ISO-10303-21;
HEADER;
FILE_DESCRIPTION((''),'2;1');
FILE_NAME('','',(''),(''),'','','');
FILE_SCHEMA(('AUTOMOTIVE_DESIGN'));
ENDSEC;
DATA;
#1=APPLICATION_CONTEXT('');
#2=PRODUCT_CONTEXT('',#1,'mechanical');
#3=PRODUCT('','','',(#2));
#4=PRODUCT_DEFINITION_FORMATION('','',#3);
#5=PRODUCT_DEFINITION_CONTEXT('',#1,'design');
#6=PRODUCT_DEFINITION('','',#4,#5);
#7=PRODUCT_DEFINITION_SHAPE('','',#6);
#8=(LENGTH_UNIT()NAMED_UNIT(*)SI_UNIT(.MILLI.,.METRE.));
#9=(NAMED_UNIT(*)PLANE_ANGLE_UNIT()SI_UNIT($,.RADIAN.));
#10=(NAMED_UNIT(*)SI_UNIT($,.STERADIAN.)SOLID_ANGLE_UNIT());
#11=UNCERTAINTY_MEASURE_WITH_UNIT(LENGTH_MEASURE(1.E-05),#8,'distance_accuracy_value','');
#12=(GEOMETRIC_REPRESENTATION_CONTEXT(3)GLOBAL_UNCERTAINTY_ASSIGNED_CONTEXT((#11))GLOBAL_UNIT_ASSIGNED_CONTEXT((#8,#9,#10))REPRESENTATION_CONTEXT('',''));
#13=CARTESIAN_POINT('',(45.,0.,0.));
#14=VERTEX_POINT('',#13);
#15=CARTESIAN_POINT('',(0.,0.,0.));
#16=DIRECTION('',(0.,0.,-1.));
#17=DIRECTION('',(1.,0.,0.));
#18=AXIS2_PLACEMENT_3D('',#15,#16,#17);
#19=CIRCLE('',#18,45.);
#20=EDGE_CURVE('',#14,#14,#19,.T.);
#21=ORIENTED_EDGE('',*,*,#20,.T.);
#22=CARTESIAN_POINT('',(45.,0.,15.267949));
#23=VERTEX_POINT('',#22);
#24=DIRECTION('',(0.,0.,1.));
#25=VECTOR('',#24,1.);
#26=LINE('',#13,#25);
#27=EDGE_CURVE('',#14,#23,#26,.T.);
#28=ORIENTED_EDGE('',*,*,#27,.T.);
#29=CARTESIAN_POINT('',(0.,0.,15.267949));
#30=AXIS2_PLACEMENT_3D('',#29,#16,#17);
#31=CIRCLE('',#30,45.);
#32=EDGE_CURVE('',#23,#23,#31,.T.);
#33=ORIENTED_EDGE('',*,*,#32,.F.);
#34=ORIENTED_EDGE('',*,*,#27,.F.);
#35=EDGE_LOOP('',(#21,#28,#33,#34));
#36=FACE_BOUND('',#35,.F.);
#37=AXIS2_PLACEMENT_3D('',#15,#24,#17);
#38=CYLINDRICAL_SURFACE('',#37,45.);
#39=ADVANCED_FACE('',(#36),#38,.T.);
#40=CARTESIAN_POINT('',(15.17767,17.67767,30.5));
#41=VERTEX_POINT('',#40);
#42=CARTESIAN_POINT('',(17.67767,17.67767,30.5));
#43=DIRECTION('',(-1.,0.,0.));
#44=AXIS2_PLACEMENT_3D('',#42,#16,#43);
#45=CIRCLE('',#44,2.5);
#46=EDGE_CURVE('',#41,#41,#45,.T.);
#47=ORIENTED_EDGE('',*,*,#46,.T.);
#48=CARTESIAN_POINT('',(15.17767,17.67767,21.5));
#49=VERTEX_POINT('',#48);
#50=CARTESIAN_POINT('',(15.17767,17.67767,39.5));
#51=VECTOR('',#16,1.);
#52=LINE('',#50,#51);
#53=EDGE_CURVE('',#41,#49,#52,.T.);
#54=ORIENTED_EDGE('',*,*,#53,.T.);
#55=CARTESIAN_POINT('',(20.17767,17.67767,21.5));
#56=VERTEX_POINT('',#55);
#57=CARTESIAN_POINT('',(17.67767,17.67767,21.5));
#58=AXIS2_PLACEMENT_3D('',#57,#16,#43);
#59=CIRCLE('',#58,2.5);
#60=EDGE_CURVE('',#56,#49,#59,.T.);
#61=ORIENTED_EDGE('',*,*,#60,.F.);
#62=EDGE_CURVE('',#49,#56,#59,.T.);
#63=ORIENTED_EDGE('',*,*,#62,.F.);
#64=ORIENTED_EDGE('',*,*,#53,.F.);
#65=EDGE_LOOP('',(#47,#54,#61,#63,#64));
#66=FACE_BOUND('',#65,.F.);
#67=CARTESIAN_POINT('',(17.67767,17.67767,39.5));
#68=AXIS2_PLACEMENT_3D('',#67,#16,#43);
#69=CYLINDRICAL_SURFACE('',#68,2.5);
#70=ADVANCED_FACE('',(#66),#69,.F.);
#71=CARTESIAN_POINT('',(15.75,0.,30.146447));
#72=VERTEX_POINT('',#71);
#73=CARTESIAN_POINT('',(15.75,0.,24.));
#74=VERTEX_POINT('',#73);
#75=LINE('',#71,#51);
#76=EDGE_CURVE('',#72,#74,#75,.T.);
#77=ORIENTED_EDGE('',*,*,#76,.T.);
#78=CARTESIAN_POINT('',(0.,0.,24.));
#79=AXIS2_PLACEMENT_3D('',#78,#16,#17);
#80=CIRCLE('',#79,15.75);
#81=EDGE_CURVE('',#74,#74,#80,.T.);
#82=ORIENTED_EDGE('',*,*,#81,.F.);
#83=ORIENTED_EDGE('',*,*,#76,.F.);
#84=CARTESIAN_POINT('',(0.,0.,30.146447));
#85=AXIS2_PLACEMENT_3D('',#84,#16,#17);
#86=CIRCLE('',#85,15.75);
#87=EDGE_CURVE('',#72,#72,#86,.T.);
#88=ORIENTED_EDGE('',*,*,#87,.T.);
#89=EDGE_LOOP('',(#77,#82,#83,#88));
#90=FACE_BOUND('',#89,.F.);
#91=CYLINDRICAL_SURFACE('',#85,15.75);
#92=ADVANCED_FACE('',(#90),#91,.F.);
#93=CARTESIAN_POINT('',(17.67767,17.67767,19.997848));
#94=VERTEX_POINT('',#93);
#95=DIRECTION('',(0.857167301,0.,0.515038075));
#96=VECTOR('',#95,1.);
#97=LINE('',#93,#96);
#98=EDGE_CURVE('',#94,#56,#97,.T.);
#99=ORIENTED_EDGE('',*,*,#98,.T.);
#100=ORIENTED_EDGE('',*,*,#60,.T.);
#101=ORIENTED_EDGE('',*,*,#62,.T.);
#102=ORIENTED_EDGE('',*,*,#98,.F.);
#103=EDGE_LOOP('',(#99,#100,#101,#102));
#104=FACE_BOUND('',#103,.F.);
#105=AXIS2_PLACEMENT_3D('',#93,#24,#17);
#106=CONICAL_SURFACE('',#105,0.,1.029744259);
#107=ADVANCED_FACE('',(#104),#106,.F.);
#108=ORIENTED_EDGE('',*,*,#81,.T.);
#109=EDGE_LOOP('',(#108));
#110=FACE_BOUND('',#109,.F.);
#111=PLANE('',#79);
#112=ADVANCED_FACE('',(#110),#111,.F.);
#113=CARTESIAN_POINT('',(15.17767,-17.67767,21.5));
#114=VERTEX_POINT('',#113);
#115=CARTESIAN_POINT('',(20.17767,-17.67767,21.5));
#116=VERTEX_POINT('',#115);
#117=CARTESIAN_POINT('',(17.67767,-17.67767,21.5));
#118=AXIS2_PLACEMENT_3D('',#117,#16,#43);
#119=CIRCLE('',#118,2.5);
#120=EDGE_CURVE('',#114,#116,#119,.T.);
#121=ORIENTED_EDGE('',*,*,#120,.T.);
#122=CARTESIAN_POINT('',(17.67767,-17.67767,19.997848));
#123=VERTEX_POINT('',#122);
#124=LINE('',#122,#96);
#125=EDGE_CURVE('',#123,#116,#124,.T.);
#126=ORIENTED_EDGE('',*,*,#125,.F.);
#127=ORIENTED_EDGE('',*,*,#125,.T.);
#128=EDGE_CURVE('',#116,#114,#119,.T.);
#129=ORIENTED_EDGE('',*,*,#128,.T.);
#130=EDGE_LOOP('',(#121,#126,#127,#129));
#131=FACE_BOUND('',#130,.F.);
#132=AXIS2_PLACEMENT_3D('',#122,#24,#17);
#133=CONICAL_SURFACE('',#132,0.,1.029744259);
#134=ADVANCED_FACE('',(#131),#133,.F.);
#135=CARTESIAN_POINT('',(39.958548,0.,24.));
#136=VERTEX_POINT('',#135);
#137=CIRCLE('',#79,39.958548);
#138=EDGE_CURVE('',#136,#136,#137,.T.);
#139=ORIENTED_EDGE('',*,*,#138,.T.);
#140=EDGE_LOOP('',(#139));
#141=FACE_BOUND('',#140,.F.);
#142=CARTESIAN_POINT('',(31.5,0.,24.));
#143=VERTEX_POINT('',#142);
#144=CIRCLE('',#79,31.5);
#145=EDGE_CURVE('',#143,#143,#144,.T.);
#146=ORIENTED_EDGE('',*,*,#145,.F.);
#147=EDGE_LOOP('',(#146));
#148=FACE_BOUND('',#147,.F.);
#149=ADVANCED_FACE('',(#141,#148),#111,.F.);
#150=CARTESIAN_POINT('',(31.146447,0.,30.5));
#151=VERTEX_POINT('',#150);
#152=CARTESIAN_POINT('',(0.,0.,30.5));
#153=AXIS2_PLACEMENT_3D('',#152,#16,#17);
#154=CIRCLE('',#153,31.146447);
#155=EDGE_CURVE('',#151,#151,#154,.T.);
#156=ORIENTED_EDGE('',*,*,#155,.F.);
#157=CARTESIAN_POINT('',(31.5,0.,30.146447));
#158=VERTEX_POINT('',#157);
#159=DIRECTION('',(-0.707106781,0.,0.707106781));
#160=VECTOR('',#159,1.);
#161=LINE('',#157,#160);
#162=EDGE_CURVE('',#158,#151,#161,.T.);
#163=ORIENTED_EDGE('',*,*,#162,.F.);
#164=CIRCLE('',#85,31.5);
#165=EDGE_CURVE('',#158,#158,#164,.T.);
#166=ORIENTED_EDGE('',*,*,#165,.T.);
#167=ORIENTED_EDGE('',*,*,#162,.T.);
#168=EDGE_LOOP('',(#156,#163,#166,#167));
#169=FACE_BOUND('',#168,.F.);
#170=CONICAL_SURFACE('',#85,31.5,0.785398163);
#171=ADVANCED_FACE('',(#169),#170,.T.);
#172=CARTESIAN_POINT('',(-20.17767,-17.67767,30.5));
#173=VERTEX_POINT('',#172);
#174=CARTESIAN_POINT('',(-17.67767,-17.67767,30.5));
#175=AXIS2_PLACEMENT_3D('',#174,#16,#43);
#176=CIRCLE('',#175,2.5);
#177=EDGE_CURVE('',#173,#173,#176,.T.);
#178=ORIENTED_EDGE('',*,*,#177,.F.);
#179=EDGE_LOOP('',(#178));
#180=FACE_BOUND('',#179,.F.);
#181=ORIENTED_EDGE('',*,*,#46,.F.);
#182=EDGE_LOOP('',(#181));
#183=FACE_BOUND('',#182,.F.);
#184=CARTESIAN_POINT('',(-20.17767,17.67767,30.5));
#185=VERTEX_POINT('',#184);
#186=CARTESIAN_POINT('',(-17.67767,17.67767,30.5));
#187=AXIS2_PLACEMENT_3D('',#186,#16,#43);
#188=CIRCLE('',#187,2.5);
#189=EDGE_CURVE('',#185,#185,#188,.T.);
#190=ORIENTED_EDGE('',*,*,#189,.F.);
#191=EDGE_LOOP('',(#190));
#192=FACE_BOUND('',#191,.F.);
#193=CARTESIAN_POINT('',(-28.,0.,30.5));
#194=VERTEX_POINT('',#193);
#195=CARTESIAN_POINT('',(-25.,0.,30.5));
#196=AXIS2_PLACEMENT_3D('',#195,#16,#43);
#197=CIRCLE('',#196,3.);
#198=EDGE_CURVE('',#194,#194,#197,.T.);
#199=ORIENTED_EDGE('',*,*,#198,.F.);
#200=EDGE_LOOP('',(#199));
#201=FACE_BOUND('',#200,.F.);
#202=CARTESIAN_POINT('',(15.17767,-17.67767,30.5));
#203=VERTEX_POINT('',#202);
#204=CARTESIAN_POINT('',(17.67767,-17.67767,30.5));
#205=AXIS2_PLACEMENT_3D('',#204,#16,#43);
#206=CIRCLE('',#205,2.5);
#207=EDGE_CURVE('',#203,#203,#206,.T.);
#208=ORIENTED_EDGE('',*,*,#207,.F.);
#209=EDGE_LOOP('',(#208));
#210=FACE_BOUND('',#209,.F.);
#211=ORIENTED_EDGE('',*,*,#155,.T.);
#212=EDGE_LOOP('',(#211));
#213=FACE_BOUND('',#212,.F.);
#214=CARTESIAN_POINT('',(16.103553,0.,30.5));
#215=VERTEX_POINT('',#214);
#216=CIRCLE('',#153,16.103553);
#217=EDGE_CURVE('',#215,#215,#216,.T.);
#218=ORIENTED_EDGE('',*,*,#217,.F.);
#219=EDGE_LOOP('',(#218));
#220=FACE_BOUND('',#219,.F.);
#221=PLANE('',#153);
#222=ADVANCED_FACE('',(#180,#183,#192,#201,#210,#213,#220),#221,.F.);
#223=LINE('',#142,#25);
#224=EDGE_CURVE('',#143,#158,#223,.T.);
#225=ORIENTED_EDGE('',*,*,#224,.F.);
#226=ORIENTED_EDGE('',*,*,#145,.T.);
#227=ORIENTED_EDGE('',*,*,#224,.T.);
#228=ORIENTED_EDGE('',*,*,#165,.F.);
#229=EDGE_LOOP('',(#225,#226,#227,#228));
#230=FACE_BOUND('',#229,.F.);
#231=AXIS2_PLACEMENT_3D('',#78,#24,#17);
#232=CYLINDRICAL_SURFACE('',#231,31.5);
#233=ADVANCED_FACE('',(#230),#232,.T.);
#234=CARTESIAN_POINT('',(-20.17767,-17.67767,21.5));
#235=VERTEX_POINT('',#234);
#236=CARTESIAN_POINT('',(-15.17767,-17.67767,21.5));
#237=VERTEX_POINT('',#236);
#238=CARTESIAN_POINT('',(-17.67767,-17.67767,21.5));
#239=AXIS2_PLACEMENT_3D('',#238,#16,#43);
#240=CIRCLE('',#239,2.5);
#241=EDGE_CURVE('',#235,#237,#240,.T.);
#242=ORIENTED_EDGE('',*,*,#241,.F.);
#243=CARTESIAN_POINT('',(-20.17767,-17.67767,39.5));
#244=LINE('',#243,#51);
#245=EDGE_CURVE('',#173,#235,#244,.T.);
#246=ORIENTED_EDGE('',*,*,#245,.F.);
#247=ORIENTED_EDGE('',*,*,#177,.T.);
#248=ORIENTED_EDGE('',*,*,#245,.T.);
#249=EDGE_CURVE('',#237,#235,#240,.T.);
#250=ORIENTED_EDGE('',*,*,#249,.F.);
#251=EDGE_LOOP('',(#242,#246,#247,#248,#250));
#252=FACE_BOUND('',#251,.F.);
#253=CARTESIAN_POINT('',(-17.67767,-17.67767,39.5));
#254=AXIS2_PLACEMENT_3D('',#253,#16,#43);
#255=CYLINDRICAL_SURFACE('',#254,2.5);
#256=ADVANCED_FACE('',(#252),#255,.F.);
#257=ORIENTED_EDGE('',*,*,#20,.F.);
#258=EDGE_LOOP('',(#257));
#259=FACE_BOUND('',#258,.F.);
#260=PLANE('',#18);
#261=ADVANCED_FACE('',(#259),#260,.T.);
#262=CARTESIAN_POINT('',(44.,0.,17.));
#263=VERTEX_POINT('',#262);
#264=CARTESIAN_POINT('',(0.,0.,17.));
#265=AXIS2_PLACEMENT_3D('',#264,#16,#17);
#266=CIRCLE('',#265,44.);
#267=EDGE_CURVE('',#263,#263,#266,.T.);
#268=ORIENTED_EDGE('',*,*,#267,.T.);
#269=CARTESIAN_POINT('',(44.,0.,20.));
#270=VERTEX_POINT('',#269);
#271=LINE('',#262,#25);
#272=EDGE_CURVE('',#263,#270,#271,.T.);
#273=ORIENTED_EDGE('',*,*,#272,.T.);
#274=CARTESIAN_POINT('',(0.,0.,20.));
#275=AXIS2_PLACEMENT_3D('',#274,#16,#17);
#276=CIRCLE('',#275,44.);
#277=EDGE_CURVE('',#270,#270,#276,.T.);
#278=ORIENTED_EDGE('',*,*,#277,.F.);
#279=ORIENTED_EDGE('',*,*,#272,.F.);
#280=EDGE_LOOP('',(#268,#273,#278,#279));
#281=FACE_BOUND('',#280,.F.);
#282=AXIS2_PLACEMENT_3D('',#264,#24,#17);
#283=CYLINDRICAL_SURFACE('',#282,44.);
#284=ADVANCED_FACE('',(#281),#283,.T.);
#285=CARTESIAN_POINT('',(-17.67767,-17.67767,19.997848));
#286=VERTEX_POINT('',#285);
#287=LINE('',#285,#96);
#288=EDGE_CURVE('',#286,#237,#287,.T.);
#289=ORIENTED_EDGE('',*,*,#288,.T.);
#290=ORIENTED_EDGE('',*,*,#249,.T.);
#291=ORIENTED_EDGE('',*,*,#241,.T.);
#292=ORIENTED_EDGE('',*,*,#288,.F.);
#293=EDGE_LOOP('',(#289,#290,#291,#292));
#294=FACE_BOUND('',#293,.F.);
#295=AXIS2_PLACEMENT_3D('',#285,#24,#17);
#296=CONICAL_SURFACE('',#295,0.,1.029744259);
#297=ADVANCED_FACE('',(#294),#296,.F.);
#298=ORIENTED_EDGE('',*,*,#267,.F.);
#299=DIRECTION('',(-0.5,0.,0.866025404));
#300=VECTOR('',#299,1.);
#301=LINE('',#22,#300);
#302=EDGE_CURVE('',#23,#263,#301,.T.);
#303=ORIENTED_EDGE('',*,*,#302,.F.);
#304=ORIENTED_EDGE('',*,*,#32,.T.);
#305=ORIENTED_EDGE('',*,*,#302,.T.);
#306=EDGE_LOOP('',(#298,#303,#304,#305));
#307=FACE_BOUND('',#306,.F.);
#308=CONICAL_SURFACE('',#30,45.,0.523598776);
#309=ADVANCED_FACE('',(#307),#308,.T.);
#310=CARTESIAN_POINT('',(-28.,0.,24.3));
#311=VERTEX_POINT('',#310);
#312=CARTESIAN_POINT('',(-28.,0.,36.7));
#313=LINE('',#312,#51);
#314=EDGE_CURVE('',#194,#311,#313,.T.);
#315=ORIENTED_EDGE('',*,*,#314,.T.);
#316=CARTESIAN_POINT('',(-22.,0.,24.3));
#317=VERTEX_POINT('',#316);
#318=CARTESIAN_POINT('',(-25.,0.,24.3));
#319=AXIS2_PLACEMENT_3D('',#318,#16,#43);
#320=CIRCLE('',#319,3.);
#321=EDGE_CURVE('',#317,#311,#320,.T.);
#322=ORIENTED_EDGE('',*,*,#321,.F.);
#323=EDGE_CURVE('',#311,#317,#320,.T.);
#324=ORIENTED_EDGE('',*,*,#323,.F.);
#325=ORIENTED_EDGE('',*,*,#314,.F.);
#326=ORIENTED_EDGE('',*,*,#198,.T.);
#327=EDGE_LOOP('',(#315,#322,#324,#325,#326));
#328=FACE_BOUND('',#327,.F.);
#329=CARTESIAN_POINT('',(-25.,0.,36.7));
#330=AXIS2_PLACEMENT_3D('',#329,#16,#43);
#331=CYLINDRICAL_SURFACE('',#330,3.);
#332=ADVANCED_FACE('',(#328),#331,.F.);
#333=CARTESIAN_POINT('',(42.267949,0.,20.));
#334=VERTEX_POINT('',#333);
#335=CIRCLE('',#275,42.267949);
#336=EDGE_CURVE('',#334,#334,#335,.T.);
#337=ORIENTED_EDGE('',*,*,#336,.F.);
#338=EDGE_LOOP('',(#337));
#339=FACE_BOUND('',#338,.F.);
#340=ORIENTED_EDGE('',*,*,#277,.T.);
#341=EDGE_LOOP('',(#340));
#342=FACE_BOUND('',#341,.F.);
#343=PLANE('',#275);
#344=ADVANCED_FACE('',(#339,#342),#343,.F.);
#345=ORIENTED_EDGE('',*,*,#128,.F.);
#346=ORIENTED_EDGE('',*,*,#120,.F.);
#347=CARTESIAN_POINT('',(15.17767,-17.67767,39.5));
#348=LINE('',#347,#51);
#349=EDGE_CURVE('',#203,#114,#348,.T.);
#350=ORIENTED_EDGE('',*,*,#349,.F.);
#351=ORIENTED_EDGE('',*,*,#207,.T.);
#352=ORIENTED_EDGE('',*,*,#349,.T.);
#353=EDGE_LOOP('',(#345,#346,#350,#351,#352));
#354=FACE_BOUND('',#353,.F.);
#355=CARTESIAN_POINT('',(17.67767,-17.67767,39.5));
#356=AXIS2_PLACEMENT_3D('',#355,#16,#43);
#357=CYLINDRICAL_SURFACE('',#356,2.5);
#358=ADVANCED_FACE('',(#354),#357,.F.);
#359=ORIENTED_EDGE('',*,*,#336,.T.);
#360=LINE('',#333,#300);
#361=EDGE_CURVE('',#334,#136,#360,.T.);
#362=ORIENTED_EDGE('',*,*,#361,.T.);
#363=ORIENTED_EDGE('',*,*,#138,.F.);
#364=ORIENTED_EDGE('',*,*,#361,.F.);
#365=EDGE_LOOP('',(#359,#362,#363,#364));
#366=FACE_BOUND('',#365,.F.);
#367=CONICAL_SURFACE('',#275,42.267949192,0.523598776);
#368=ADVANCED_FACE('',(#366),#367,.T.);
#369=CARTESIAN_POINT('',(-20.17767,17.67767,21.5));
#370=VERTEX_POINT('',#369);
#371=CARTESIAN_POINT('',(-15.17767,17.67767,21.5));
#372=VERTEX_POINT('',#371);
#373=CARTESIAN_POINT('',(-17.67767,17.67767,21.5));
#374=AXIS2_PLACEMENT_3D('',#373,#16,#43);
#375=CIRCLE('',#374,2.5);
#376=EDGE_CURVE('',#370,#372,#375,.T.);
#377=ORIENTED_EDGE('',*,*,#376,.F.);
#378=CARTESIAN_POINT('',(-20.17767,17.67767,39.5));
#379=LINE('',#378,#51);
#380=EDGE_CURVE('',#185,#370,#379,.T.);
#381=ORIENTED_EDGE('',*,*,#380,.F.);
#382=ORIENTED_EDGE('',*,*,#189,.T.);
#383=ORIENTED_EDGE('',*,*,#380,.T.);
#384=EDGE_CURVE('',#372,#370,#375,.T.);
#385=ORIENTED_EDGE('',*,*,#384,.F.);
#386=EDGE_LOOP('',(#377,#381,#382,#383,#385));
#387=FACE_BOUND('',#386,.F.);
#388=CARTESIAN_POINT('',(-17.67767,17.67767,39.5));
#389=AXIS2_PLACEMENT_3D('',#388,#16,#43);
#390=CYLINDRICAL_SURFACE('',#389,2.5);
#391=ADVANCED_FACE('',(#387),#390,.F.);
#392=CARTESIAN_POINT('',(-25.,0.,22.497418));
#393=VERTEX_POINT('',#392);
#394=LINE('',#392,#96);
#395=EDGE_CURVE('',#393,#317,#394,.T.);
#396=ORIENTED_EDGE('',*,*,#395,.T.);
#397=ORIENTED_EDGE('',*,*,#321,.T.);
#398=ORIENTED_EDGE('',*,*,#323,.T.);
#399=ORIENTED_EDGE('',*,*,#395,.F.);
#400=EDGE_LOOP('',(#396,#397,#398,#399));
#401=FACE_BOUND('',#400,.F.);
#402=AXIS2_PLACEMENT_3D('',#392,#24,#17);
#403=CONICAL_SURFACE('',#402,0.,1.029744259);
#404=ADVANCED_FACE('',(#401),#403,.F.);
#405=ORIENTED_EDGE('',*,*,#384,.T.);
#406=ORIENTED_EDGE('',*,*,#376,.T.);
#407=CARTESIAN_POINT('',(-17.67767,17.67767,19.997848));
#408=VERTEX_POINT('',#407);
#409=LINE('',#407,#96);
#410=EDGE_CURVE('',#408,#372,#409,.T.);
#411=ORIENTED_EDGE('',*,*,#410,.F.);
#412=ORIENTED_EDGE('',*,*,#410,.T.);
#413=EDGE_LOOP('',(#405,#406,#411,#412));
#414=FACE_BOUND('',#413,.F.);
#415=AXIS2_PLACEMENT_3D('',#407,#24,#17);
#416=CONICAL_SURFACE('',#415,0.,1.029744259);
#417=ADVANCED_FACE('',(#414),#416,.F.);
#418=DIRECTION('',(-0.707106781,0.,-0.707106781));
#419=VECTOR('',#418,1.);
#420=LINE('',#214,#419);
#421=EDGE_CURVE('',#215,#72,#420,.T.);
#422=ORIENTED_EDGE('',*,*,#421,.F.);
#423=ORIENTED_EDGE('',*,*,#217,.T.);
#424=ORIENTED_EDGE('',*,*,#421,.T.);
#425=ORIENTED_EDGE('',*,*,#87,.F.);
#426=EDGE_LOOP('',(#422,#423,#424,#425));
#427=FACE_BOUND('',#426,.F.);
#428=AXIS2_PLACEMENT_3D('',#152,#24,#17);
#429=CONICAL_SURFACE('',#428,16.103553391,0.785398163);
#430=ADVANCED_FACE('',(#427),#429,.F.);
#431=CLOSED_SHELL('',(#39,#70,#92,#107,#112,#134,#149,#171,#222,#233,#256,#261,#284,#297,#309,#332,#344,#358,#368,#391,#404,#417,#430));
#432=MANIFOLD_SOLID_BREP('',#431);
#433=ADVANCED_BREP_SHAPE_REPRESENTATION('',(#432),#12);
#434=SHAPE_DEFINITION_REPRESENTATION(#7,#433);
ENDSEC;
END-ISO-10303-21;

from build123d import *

# Parameters (mm, degrees)
F3_D     = 5
F3_DEPTH = 9
F3_TIP   = 1.5021515476
F4_D     = 6
F4_DEPTH = 6.2
F4_TIP   = 1.8025818571


with BuildPart() as f1:
    # F0 (on Front) → F1 (revolve)
    with BuildSketch(Plane.XZ):
        Polygon((0, 24), (0, 0), (45, 0), (45, 15.2679491924), (44, 17), (44, 20), (42.2679491924, 20), (39.9585481157, 24), (31.5, 24), (31.5, 30.1464466094), (31.1464466094, 30.5), (16.1035533906, 30.5), (15.75, 30.1464466094), (15.75, 24), align=None)
    revolve(axis=Axis((0, 0, 12), (0, 0, -1)))

    # F3
    with Locations(Plane.XY.offset(30.5)):
        with Locations((-17.6776695297, 17.6776695297), (-17.6776695297, -17.6776695297), (17.6776695297, 17.6776695297), (17.6776695297, -17.6776695297)):
            Hole(F3_D / 2, depth=F3_DEPTH)
            with Locations((0, 0, -(F3_DEPTH + F3_TIP / 2))):  # 118° drill point
                Cone(0, F3_D / 2, F3_TIP, mode=Mode.SUBTRACT)

    # F4
    with Locations(Plane.XY.offset(30.5)):
        with Locations((-25, 0)):
            Hole(F4_D / 2, depth=F4_DEPTH)
            with Locations((0, 0, -(F4_DEPTH + F4_TIP / 2))):  # 118° drill point
                Cone(0, F4_D / 2, F4_TIP, mode=Mode.SUBTRACT)


solid = f1.part
